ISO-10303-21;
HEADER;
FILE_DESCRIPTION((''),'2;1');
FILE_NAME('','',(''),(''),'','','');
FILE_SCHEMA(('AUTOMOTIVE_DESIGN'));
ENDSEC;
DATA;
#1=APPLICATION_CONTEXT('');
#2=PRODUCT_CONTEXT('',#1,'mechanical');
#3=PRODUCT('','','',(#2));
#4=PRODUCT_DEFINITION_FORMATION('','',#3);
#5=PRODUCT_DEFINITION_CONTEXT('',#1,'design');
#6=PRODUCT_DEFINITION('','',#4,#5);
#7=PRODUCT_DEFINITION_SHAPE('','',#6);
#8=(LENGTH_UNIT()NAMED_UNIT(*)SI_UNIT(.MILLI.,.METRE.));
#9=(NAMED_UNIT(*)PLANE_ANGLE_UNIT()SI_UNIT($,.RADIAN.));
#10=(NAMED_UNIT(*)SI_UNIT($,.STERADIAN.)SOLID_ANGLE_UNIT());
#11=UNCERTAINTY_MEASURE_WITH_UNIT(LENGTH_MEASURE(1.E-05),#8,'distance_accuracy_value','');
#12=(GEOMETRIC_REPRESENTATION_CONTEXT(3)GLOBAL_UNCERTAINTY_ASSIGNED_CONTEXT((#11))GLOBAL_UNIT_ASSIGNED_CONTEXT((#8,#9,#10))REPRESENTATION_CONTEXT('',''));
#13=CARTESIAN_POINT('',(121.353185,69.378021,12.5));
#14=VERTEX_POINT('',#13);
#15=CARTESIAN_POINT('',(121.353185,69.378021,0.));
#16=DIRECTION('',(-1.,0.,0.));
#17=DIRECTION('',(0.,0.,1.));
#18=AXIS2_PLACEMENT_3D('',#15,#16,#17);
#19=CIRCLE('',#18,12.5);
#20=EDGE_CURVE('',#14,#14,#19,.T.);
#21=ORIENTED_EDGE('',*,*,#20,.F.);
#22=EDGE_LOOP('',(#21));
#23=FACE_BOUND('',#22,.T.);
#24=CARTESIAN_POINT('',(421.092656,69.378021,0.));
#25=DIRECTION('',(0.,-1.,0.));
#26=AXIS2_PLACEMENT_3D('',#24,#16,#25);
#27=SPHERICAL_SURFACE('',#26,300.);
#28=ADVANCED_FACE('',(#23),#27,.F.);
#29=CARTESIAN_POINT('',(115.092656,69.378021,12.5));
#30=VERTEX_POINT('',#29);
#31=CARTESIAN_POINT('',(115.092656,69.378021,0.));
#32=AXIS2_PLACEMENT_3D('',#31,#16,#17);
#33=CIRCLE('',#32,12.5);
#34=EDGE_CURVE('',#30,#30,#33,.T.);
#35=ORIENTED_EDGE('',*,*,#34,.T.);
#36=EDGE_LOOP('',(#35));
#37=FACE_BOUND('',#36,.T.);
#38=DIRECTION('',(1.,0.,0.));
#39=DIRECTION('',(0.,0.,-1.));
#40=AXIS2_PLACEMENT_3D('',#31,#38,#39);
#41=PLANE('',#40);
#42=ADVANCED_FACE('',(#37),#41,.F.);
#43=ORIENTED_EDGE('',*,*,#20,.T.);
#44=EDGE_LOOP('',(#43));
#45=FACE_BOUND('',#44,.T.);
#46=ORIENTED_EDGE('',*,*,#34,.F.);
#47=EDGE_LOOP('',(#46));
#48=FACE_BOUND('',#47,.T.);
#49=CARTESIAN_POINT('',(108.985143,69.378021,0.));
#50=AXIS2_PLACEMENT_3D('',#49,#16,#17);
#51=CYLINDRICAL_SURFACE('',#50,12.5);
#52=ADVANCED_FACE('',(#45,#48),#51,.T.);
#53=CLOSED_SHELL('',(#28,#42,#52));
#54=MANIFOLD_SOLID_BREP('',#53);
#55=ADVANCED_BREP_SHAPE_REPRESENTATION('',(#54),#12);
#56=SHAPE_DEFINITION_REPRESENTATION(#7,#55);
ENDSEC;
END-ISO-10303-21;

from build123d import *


with BuildPart() as part:
    # 草图1 → 旋转1 (revolve)
    with BuildSketch(Plane.XY, mode=Mode.PRIVATE) as revolve_1_sk:
        with BuildLine():
            Line((115.092655535, 69.378021123), (115.092655535, 81.878021123))
            Line((115.092655535, 81.878021123), (121.353185309, 81.878021123))
            ThreePointArc((121.353185309, 81.878021123), (121.157795036, 75.629378491), (121.092655516, 69.378021123))
            Line((121.092655516, 69.378021123), (115.092655535, 69.378021123))
        make_face()
    revolve(revolve_1_sk.sketch.rotate(Axis((108.985143002, 69.378021123, 0), (1, 0, 0)), 180), axis=Axis((108.985143002, 69.378021123, 0), (1, 0, 0)))  # turned: the seam where the file's is


solid = part.part
